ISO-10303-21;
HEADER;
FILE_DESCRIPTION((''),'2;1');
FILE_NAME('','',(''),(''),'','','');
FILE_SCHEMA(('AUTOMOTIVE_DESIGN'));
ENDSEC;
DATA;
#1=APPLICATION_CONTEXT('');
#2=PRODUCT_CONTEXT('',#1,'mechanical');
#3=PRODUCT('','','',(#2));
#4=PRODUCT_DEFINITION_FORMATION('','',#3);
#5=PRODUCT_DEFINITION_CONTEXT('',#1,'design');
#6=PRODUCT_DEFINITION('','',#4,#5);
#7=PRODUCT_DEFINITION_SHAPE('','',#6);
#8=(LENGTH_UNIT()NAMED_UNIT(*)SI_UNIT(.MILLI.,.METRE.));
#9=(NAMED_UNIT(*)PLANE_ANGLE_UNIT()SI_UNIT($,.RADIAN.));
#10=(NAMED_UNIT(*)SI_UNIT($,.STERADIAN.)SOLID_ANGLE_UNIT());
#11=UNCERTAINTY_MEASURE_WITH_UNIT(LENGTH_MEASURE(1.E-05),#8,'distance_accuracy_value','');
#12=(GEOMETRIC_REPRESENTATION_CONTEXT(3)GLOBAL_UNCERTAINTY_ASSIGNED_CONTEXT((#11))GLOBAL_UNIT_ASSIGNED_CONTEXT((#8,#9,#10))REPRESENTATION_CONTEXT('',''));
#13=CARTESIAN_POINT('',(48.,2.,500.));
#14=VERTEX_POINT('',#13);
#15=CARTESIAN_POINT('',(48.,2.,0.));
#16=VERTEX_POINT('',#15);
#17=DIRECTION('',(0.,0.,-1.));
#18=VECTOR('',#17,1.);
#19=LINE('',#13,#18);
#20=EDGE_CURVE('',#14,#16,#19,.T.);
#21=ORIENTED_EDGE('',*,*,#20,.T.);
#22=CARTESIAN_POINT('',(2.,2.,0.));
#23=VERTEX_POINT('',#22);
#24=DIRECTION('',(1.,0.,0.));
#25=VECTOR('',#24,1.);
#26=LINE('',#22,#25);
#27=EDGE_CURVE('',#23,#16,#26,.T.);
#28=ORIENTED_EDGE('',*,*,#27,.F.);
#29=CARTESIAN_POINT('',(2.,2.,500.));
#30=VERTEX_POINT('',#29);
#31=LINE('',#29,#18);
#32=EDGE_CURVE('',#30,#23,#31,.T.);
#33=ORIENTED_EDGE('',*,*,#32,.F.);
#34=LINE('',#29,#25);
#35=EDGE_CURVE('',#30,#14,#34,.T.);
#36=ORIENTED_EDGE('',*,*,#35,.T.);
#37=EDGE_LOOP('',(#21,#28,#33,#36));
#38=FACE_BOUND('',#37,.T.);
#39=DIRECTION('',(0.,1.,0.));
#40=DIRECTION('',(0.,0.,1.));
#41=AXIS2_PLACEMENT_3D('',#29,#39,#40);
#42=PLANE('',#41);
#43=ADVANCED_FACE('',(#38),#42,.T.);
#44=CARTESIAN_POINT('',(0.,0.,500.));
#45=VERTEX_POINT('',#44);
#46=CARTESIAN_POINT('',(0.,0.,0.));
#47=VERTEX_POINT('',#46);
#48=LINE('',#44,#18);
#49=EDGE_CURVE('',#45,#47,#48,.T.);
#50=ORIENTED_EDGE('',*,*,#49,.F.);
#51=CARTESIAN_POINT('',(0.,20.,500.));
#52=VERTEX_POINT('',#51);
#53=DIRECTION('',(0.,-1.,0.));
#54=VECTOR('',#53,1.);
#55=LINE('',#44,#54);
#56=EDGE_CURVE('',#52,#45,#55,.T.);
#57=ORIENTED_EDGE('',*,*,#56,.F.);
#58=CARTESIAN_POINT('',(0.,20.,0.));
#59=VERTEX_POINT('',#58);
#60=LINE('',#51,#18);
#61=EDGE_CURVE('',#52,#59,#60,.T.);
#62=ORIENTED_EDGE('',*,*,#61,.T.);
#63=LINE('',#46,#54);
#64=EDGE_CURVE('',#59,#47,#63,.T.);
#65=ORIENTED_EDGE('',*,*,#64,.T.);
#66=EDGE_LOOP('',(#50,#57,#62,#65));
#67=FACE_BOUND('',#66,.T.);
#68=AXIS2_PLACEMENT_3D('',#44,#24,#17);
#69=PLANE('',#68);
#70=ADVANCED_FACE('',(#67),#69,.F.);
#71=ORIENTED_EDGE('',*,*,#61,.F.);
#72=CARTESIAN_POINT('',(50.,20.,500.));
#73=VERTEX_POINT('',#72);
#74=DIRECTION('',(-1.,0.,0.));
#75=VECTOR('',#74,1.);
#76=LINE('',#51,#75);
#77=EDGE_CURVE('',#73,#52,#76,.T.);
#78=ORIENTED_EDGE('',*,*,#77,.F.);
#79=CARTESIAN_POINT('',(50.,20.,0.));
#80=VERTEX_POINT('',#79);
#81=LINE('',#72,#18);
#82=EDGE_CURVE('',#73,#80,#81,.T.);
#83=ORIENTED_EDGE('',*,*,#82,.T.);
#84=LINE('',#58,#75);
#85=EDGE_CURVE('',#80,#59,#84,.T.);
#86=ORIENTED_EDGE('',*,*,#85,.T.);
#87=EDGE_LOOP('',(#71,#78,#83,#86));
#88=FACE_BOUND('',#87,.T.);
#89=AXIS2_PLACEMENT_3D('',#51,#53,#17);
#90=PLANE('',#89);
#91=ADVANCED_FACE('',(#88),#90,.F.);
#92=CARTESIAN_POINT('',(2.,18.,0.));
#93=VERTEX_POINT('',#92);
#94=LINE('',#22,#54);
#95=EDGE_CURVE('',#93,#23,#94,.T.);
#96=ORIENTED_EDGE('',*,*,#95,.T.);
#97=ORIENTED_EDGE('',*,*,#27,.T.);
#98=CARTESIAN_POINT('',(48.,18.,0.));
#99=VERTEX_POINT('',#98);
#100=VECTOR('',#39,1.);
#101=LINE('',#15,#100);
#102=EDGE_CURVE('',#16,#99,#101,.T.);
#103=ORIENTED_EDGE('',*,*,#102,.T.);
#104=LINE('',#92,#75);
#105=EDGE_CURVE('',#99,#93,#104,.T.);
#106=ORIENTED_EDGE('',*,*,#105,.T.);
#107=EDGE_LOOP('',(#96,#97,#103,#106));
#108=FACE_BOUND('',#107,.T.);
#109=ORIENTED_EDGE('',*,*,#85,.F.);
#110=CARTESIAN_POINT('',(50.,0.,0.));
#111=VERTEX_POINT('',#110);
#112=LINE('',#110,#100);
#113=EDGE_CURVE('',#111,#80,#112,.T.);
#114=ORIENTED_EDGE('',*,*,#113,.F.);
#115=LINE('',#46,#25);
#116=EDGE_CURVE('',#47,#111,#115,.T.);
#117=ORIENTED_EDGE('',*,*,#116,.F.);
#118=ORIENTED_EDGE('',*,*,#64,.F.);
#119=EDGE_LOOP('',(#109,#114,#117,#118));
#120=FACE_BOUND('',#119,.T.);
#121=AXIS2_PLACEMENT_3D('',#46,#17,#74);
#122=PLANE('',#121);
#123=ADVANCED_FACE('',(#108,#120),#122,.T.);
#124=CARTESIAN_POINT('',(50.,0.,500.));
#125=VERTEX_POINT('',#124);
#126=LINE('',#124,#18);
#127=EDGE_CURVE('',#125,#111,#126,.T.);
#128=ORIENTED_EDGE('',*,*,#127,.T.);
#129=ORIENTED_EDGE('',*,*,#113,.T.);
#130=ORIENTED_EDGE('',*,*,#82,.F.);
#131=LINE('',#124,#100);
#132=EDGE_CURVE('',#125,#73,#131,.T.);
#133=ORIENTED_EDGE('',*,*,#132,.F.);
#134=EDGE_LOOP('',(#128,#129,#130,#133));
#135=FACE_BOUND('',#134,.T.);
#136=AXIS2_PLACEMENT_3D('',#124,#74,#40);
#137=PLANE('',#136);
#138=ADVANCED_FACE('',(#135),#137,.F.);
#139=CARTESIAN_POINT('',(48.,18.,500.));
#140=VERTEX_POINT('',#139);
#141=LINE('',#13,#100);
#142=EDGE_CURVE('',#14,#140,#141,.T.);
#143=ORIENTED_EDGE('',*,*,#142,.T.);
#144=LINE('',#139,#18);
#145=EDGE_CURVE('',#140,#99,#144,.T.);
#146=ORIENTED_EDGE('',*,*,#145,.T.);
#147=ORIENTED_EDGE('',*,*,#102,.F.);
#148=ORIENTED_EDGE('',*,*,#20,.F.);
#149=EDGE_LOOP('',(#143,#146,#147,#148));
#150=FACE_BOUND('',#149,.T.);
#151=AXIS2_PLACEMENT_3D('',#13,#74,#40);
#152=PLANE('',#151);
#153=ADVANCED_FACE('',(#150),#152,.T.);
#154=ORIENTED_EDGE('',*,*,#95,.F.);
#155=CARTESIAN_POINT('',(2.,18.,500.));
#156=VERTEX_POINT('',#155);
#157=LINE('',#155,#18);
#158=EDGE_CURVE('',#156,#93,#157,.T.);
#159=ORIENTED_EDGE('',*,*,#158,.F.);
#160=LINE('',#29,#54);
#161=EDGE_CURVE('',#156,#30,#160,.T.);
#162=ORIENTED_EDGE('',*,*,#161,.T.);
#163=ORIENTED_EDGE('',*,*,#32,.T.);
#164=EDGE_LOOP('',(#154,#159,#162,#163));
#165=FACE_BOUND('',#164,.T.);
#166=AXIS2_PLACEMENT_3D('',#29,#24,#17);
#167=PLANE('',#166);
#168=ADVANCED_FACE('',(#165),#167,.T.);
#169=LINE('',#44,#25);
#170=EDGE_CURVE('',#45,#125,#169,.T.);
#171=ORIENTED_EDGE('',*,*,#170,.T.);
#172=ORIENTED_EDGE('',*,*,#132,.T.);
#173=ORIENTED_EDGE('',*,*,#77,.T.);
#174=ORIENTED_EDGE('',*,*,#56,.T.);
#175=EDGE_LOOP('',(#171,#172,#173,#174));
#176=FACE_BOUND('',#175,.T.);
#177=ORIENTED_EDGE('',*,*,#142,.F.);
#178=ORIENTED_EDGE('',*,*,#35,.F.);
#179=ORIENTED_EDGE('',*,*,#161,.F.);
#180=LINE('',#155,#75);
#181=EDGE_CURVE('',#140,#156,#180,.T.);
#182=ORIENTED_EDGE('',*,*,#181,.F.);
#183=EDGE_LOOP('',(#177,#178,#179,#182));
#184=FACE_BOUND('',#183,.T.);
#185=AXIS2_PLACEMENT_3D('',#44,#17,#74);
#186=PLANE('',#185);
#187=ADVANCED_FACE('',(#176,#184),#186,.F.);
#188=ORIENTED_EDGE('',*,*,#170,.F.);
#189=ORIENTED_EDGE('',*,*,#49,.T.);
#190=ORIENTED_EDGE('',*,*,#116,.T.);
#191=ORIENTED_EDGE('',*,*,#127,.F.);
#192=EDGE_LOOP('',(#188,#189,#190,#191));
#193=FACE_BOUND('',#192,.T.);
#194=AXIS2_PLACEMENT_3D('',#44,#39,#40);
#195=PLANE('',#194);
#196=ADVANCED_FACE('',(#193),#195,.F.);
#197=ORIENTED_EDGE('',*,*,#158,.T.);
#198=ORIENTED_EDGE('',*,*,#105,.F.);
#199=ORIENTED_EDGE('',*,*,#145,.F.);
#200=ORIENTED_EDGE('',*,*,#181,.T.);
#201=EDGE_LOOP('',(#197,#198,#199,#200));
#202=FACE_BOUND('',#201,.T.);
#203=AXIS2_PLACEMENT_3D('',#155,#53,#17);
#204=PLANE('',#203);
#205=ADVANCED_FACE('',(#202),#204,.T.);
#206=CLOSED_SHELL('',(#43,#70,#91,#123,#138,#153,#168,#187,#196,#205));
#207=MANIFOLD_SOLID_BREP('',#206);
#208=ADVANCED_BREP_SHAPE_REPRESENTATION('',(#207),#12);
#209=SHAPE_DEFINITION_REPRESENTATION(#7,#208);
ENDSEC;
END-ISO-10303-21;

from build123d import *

# Parameters (mm, degrees)
SKETCH_1_W      = 50
SKETCH_1_H      = 20
SKETCH_1_W_2    = 46
SKETCH_1_H_2    = 16
EXTRUDE_1_DEPTH = 500


with BuildPart() as part:
    # Эскиз1 → Бобышка-Вытянуть1 (new body)
    with BuildSketch(Plane.XY):
        with Locations((25, 10)):
            Rectangle(SKETCH_1_W, SKETCH_1_H)
        with Locations((25, 10)):
            Rectangle(SKETCH_1_W_2, SKETCH_1_H_2, mode=Mode.SUBTRACT)
    extrude(amount=EXTRUDE_1_DEPTH)


solid = part.part
